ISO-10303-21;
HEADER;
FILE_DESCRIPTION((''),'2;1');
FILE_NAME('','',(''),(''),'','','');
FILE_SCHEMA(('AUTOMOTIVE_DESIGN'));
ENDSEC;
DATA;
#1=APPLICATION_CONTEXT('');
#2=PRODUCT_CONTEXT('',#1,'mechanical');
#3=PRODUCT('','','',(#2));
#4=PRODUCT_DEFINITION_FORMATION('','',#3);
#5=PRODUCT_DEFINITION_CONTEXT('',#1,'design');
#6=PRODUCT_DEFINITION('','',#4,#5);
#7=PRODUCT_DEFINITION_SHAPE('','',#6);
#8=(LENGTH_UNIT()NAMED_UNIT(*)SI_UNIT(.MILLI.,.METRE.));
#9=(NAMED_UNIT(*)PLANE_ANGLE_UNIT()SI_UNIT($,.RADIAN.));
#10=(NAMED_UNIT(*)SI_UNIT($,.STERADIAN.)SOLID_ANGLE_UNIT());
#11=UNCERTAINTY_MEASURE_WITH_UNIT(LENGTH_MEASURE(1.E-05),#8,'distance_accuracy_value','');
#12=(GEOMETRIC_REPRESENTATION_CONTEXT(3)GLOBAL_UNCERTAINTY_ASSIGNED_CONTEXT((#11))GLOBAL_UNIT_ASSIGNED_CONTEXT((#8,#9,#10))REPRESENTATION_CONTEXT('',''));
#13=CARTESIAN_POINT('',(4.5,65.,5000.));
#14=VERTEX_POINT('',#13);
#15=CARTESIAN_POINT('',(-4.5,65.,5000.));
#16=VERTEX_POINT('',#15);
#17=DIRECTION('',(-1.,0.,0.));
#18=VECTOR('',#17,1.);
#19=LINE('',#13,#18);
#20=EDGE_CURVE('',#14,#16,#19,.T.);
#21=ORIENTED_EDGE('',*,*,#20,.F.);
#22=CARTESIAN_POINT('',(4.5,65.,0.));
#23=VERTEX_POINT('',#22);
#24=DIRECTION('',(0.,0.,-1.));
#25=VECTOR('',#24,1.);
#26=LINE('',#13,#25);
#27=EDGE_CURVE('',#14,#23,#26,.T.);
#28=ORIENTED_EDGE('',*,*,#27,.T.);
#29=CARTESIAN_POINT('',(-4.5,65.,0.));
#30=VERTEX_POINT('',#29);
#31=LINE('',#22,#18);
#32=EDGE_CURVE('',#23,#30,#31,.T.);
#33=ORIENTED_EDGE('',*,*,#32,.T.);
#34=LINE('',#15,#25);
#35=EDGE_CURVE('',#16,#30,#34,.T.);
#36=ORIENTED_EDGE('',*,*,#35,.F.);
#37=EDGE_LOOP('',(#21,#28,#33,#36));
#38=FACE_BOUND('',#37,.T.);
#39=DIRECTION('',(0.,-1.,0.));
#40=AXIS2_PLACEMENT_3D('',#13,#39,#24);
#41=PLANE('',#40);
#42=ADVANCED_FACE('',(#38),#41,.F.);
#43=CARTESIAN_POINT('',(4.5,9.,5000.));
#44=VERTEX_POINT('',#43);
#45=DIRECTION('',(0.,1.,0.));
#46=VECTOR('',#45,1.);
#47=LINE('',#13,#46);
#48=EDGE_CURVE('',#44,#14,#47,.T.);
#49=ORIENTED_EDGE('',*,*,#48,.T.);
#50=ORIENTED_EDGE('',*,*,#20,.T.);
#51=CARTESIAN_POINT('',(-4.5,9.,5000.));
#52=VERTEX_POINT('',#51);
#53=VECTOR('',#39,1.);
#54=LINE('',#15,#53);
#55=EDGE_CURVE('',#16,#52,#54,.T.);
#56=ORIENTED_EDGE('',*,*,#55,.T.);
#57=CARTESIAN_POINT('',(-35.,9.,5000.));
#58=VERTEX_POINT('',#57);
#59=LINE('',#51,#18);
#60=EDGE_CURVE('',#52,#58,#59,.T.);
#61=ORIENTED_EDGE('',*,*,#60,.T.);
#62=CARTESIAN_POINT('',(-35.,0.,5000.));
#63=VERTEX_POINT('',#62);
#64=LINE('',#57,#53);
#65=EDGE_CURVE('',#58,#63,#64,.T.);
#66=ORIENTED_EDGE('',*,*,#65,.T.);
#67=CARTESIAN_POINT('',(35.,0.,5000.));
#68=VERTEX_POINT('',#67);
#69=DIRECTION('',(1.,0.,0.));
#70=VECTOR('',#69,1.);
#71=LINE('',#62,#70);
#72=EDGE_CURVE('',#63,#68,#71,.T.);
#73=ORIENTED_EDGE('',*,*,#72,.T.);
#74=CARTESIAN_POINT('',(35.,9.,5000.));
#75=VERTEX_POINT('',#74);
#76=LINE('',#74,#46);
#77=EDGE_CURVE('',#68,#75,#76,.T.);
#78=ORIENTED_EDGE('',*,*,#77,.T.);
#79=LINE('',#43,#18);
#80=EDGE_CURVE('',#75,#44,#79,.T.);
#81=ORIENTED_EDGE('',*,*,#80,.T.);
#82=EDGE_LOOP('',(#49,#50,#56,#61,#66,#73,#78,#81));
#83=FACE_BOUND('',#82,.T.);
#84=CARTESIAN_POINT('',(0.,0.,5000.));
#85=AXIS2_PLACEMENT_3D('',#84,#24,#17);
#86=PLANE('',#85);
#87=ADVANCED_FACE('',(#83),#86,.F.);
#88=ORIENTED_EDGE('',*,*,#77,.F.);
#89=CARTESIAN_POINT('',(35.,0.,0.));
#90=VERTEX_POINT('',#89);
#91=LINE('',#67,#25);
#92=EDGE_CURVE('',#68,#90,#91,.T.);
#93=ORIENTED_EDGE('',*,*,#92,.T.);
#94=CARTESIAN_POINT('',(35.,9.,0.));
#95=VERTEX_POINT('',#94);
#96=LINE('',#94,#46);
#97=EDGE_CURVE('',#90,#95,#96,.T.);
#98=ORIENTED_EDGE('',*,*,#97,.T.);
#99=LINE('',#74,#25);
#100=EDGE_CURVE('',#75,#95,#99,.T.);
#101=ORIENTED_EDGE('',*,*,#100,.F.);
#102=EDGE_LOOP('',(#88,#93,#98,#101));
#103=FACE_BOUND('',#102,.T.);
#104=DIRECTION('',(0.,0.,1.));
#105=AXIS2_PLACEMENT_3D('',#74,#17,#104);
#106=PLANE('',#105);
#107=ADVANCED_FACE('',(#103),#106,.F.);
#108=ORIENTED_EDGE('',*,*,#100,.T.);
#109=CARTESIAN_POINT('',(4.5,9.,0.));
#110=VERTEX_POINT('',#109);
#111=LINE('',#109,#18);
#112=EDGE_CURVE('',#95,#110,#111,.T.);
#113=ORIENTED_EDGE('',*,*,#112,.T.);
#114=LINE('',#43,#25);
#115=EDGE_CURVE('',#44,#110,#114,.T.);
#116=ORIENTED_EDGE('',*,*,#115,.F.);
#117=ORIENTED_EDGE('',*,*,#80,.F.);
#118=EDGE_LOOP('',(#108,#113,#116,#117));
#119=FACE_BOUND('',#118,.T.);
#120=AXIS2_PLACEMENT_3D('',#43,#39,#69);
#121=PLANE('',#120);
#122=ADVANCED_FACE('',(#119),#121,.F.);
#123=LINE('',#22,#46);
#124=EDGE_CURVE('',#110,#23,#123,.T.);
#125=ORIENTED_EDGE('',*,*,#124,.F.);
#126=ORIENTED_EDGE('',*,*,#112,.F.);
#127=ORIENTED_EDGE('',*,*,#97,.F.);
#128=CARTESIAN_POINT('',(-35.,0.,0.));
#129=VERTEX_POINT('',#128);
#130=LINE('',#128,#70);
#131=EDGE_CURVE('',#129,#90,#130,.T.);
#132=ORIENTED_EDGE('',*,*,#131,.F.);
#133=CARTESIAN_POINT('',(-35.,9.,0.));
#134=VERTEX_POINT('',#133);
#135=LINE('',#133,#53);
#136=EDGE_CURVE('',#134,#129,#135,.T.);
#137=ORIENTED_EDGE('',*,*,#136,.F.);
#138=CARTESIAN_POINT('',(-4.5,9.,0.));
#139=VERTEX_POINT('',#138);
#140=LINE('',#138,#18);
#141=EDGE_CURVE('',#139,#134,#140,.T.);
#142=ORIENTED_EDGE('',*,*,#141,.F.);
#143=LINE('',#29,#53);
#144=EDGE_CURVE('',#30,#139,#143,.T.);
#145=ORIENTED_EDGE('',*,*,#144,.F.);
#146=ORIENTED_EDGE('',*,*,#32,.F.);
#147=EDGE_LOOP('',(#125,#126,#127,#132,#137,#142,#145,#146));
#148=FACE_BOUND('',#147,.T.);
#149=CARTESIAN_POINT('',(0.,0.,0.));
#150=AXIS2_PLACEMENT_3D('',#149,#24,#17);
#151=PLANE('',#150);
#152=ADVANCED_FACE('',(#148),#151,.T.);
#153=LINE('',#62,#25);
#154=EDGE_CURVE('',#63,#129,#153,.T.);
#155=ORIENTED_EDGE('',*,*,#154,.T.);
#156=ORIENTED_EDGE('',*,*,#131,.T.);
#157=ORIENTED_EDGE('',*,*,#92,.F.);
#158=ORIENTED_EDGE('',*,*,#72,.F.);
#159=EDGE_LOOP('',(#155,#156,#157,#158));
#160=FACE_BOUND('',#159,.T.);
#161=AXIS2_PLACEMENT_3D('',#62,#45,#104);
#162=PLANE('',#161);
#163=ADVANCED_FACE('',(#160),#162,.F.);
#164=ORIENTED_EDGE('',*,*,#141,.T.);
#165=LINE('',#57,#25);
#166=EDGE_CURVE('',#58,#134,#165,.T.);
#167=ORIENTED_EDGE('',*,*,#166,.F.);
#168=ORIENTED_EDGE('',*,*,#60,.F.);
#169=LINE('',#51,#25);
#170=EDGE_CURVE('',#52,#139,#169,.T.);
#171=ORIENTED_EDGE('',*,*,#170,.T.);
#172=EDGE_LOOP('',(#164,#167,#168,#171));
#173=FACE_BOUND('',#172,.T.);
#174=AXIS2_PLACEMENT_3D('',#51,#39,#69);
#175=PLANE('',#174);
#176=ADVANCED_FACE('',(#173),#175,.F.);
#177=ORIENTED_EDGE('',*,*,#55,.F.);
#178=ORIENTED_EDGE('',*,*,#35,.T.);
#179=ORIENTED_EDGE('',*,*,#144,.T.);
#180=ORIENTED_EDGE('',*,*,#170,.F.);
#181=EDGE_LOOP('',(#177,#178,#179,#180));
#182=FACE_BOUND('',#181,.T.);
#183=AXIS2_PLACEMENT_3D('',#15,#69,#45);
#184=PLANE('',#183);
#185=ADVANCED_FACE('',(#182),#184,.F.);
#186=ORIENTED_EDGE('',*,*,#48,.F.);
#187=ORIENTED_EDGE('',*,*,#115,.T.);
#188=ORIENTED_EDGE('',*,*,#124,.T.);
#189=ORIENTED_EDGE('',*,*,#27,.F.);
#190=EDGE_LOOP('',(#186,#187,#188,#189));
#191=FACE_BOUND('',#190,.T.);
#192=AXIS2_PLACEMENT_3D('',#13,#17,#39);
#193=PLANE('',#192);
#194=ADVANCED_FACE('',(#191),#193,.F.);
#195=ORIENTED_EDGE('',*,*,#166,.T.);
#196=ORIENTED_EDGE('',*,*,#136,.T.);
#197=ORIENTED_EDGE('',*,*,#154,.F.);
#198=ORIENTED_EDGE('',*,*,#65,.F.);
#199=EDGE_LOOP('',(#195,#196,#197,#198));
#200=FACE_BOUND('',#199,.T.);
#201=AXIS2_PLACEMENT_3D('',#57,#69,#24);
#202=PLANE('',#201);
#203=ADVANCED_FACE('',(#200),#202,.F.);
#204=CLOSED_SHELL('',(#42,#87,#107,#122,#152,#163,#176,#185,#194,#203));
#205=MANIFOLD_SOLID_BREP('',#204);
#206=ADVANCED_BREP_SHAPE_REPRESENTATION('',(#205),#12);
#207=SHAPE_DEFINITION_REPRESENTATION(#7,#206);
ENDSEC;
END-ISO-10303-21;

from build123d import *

# Parameters (mm, degrees)
BOSS_EXTRUDE1_DEPTH = 5000


with BuildPart() as part:
    # Sketch1 → Boss-Extrude1 (new body)
    with BuildSketch(Plane.XY):
        Polygon((4.5, 65), (-4.5, 65), (-4.5, 9), (-35, 9), (-35, 0), (35, 0), (35, 9), (4.5, 9), align=None)
    extrude(amount=BOSS_EXTRUDE1_DEPTH)


solid = part.part
